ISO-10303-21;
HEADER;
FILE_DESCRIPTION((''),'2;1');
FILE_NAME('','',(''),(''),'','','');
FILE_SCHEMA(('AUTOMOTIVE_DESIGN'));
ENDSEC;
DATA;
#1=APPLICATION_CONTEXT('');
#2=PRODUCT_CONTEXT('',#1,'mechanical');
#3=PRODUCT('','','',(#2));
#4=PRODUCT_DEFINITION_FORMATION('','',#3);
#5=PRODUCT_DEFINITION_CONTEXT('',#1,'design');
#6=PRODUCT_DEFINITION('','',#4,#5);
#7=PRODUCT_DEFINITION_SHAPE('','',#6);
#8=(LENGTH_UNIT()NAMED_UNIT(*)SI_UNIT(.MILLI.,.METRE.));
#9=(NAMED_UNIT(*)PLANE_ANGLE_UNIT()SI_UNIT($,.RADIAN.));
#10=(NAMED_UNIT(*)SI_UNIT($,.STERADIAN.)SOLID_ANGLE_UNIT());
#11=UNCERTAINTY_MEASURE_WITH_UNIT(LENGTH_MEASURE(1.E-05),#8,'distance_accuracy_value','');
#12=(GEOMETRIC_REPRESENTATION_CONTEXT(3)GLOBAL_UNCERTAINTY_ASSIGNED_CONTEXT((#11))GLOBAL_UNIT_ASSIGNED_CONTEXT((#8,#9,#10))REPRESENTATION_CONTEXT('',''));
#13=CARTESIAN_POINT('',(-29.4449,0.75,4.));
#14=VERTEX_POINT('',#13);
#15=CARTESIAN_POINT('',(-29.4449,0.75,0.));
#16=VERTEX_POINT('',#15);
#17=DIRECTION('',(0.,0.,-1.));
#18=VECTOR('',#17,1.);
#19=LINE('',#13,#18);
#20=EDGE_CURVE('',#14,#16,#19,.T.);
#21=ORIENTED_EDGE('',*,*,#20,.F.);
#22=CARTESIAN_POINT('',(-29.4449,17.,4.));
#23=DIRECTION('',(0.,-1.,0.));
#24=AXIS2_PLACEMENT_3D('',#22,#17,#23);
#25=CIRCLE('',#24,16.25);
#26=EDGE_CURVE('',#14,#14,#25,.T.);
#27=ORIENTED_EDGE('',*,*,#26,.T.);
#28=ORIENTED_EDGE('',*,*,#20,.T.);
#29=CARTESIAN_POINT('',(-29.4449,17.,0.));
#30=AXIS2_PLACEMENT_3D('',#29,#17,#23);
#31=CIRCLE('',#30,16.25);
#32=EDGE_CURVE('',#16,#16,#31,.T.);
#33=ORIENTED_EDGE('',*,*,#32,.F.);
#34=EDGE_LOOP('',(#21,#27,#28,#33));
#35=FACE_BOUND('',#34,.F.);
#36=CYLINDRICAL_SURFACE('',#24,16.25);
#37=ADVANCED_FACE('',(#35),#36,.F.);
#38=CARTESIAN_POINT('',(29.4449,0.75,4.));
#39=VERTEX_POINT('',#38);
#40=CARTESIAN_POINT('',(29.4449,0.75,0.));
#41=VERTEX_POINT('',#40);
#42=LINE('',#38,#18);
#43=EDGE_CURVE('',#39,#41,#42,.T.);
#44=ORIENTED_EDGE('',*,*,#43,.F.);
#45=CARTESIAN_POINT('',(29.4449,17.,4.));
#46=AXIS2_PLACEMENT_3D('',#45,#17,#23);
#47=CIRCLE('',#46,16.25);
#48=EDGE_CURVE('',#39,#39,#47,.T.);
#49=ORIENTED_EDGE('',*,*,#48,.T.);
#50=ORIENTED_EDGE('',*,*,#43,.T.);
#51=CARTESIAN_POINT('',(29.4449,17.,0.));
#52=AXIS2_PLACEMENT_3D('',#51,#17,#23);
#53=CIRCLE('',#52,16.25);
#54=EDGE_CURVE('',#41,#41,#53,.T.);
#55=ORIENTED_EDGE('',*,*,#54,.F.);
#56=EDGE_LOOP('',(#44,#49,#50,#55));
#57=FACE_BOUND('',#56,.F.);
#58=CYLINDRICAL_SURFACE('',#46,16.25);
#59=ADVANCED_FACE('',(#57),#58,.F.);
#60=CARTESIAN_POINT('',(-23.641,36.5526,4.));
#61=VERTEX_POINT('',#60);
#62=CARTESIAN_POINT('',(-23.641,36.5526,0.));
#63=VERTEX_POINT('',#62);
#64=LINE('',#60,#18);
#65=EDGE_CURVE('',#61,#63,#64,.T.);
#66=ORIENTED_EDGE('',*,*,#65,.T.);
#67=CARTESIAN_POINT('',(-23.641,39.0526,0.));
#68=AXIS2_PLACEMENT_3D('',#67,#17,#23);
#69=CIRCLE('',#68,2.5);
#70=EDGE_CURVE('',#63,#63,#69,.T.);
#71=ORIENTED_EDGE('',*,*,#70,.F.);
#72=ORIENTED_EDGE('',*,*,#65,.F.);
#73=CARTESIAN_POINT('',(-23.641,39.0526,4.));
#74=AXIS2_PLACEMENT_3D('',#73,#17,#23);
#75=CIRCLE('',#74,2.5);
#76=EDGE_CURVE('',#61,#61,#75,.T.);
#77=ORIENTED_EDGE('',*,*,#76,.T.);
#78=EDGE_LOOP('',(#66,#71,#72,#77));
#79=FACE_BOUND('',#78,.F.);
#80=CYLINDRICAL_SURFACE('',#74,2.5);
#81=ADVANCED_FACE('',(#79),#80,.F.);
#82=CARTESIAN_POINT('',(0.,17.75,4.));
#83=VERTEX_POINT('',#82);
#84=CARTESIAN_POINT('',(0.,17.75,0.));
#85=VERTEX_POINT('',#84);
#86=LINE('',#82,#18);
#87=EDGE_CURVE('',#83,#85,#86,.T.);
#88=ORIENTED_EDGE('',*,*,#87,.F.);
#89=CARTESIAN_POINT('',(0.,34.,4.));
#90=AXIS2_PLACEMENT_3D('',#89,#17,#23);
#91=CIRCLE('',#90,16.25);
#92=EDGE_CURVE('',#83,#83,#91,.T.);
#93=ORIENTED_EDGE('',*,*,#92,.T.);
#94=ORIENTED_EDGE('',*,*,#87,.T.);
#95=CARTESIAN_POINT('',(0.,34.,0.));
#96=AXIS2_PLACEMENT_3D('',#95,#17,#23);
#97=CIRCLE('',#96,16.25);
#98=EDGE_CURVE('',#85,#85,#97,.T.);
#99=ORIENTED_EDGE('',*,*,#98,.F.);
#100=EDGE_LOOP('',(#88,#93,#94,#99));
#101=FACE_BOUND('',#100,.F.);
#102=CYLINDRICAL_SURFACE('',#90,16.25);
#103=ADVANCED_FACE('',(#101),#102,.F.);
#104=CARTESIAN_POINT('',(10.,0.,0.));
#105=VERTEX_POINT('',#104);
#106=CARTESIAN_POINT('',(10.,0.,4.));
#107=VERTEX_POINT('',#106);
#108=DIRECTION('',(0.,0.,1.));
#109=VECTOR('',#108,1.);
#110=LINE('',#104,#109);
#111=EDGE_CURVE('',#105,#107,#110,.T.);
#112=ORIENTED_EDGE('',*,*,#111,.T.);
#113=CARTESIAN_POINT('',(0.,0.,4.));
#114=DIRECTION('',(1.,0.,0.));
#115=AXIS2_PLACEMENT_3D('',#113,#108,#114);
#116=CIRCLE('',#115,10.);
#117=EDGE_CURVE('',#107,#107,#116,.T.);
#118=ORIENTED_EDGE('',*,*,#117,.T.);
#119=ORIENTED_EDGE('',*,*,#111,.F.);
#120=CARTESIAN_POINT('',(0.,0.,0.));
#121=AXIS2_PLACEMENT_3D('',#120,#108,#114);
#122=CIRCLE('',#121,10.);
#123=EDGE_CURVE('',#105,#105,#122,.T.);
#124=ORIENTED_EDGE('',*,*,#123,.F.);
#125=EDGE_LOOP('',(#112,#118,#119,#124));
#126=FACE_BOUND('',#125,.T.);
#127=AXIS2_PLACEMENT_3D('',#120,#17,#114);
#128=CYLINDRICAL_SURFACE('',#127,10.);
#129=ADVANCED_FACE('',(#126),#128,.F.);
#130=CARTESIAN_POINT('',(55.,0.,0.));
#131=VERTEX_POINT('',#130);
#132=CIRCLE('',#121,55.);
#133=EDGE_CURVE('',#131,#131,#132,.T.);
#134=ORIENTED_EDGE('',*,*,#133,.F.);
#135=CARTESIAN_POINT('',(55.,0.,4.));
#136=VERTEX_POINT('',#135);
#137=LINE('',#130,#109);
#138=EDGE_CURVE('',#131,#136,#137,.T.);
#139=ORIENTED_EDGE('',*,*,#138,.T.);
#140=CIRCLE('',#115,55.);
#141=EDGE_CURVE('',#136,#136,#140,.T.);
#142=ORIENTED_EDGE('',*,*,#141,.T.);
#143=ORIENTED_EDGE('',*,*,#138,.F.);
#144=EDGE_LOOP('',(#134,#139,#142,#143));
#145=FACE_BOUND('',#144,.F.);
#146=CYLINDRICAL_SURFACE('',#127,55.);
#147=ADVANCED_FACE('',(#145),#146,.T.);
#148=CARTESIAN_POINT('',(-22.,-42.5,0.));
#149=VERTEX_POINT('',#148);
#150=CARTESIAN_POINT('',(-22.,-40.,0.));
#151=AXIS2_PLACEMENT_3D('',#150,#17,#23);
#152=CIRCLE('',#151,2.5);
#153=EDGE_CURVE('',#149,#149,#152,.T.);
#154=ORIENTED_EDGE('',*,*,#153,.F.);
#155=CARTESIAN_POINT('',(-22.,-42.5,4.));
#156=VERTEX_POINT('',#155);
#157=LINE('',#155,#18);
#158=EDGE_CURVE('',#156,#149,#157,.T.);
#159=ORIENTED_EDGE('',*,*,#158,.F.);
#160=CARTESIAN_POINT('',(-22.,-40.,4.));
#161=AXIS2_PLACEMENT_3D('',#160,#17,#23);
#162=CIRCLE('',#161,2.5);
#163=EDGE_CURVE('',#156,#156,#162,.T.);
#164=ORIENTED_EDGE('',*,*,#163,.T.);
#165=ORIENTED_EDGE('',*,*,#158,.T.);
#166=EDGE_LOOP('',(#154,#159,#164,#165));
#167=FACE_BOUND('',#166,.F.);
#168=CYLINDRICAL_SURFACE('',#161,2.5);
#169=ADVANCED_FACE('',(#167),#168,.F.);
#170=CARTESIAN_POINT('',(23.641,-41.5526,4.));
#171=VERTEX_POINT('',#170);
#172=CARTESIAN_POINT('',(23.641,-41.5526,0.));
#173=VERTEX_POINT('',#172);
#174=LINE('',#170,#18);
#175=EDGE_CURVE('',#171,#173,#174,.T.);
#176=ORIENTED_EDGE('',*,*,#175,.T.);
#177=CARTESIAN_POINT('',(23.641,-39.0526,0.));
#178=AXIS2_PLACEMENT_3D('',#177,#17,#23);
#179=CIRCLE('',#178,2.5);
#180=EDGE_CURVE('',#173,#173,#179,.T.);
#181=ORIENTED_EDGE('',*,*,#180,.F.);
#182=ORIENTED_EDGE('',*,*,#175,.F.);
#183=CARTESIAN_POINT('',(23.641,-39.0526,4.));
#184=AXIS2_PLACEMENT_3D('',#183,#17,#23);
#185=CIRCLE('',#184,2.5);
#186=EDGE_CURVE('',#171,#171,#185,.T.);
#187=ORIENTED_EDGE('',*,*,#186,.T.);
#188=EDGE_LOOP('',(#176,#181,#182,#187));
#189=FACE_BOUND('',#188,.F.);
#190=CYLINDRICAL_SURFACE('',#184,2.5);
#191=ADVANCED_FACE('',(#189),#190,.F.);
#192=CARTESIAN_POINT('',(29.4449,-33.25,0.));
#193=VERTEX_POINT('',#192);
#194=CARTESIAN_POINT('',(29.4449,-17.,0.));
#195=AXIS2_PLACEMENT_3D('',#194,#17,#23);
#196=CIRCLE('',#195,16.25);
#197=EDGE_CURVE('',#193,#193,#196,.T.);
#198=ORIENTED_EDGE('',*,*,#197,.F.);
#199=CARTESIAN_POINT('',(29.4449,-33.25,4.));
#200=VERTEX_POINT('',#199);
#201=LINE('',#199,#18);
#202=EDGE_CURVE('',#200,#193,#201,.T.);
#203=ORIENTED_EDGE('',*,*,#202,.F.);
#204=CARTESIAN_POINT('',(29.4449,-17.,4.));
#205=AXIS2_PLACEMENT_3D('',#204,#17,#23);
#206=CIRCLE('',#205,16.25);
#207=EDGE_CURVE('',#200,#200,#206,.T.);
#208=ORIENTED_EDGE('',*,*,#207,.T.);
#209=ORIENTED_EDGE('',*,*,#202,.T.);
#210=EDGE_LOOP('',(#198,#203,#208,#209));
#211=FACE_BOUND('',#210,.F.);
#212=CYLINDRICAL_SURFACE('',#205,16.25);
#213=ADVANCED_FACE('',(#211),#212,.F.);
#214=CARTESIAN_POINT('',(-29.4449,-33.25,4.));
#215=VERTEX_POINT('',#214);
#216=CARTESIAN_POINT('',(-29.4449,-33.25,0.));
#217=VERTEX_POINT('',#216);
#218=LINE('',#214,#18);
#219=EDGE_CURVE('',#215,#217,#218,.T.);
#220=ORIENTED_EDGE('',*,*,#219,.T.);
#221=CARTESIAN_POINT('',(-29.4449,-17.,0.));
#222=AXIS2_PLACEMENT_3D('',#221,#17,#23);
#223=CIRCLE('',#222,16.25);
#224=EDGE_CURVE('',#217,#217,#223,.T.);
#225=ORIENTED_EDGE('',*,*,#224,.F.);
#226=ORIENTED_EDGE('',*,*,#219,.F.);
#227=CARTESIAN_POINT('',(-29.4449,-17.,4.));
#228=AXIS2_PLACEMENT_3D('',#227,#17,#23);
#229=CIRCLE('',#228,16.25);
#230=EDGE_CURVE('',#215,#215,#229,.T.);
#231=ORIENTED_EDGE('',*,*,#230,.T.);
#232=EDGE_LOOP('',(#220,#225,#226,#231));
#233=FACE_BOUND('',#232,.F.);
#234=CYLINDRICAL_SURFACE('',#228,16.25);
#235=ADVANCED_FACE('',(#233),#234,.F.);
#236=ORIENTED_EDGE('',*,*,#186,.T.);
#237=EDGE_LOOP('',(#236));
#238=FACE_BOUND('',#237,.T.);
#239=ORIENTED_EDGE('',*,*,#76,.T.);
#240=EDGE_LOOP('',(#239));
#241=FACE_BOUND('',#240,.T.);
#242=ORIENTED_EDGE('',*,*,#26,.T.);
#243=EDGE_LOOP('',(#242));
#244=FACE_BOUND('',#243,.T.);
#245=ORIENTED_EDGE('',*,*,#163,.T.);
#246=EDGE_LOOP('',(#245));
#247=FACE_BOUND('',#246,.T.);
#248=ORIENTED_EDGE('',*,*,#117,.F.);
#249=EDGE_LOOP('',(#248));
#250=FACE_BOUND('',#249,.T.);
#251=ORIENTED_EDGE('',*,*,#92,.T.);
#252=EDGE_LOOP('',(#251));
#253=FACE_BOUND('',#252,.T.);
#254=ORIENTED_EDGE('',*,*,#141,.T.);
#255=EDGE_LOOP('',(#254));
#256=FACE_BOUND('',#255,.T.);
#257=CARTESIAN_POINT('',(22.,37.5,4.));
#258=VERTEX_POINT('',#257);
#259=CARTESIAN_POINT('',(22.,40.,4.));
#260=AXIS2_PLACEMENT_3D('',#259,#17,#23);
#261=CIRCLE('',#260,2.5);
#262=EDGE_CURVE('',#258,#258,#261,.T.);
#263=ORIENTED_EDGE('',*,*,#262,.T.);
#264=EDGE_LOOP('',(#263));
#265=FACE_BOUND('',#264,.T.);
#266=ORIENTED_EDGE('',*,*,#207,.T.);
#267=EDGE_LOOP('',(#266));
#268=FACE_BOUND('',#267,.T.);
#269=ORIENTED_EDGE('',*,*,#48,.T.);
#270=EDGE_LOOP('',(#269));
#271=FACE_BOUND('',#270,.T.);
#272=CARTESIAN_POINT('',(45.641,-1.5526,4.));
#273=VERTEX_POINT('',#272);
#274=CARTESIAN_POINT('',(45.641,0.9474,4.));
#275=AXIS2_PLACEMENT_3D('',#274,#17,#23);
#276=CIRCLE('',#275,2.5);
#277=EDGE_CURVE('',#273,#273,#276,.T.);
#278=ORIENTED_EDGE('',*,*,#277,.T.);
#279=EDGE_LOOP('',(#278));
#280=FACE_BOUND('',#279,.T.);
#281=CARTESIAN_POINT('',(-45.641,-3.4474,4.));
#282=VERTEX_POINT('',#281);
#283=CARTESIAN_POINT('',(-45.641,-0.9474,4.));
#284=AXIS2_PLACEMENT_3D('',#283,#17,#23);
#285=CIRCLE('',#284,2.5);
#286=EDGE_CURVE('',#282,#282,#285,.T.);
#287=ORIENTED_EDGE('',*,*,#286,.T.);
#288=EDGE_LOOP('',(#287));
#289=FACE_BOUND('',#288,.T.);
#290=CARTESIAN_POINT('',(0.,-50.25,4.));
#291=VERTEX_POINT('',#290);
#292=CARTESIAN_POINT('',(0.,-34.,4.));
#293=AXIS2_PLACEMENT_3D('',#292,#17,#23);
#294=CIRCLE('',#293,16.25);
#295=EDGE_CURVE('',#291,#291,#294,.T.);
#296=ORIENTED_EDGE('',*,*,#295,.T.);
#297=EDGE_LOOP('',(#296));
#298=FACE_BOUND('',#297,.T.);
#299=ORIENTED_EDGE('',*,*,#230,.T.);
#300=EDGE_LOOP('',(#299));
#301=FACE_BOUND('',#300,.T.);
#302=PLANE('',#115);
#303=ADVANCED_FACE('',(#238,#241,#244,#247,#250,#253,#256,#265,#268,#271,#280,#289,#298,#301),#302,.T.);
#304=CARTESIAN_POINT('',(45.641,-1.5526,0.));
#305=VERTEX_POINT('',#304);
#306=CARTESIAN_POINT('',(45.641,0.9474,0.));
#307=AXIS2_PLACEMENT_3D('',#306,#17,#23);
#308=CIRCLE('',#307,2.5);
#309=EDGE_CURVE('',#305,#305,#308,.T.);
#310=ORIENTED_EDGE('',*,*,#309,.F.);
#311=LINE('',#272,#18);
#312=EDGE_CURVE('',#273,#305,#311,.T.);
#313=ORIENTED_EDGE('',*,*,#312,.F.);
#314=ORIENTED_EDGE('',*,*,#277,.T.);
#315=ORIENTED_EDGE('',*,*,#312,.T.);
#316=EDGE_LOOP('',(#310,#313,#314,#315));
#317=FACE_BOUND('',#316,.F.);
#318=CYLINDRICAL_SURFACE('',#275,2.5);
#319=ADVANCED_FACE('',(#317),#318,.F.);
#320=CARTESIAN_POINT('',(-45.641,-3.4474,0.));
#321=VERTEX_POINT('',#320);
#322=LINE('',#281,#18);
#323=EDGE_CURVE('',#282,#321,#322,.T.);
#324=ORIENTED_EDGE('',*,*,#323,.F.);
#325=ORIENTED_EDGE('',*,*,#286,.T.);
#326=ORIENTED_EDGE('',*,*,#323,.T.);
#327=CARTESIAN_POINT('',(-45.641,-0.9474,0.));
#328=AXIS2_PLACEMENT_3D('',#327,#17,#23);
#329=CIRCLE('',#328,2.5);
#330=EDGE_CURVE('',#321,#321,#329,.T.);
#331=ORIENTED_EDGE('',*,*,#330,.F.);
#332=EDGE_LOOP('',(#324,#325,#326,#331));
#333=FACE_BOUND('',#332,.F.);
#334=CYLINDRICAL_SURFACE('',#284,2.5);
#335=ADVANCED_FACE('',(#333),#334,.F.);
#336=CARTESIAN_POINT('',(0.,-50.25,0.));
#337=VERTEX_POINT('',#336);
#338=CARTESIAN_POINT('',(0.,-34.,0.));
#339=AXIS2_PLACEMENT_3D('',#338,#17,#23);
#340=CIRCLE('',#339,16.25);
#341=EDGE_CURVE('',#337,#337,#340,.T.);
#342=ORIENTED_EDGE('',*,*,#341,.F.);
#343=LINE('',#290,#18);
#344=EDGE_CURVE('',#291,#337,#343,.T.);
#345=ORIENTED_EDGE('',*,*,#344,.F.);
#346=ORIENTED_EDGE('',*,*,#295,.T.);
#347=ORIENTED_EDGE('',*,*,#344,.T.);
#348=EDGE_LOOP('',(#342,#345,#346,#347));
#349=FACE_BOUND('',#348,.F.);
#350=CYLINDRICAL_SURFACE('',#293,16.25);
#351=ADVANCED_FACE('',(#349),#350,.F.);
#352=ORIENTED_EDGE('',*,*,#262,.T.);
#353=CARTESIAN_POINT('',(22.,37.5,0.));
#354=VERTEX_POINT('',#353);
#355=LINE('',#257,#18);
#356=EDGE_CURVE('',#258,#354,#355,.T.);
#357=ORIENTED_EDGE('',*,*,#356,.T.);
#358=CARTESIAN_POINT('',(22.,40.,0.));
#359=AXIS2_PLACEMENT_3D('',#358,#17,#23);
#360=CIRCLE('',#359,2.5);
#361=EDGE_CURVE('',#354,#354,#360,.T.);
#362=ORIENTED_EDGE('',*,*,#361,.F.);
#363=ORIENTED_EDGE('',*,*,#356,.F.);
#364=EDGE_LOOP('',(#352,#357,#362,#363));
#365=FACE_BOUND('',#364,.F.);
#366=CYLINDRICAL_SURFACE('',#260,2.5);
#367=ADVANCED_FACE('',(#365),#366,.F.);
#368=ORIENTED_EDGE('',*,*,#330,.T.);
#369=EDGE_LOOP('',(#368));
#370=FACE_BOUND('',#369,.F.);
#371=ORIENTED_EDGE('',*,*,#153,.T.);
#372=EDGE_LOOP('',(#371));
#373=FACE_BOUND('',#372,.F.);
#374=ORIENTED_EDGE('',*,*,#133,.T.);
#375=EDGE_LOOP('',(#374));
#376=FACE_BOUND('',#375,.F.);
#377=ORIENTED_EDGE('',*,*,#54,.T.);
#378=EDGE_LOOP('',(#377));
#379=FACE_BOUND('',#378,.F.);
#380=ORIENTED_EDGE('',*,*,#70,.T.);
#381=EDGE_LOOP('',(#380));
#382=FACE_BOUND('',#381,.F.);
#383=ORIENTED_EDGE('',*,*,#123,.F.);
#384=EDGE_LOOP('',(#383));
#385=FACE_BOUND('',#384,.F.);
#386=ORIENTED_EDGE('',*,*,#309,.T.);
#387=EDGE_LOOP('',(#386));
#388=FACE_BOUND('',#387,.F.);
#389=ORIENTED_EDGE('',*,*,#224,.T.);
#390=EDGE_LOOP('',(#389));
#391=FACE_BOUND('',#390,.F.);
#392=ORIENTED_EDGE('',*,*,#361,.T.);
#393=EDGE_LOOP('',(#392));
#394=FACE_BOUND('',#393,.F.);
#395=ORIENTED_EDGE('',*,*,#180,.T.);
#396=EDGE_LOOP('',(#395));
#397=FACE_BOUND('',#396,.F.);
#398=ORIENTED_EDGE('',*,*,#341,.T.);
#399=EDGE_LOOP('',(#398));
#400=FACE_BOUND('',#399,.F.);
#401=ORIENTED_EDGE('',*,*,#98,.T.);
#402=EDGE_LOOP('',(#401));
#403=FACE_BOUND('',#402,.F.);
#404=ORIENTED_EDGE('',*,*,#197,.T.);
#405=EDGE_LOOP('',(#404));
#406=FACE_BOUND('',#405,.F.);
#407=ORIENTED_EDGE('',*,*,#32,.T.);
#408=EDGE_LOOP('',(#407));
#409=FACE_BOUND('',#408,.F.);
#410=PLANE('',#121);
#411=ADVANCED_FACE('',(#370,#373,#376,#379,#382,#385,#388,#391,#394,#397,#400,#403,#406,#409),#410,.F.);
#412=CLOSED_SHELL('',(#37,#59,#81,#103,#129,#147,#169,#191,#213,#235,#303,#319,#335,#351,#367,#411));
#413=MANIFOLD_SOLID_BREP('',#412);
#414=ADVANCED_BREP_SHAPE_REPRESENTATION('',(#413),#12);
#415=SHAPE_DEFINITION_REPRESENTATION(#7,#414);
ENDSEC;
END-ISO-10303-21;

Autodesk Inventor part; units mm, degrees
ref_plane "YZ Plane" through (0, 0, 0) normal (1, 0, 0) x (0, 1, 0)
ref_plane "XZ Plane" through (0, 0, 0) normal (0, 1, 0) x (-1, 0, 0)
ref_plane "XY Plane" through (0, 0, 0) normal (0, 0, 1) x (1, 0, 0)
sketch "Sketch1" plane through (0, 0, 0) normal (0, 0, 1) x (1, 0, 0)
  circle A0 centre (0, 0) radius 55
  circle A1 centre (0, 0) radius 10
  dimension "d0" = 110
  dimension "d1" = 20
extrude "Extrusion1" add sketch "Sketch1" along normal blind 4
sketch "Sketch2" plane through (0, 0, 4) normal (0, 0, 1) x (1, 0, 0)
  point P0 (0, 0)
  point P1 (0, 34)
  point P2 (-29.4449, 17)
  point P3 (-29.4449, -17)
  point P4 (0, -34)
  point P5 (29.4449, -17)
  point P6 (29.4449, 17)
  dimension "d4" = 34
  dimension "d7" = 360
hole "Hole1" at (0, 34, 4) at (-29.4449, 17, 4) at (-29.4449, -17, 4) at (0, -34, 4) at (29.4449, -17, 4) at (29.4449, 17, 4) direction (0, 0, -1) diameter 32.5 end through all
sketch "Sketch3" plane through (0, 0, 4) normal (0, 0, 1) x (1, 0, 0)
  point P0 (0, 0)
  point P1 (22, 40)
  point P2 (-23.641, 39.0526)
  point P3 (-45.641, -0.9474)
  point P4 (-22, -40)
  point P5 (23.641, -39.0526)
  point P6 (45.641, 0.9474)
  dimension "d18" = 360
hole "Hole2" at (22, 40, 4) at (-23.641, 39.0526, 4) at (-45.641, -0.9474, 4) at (-22, -40, 4) at (23.641, -39.0526, 4) at (45.641, 0.9474, 4) direction (0, 0, -1) diameter 5 end through all
equation "\"d14\" = Thickness"
equation "\"BendRadius\" = Thickness"
equation "\"BendReliefWidth\" = Thickness"
equation "\"BendReliefDepth\" = 0.5 * Thickness"
equation "\"CornerReliefSize\" = 4 * Thickness"
equation "\"MinimumRemnant\" = 2 * Thickness"
equation "\"TransitionRadius\" = BendRadius"
equation "\"JacobiRadiusSize\" = BendRadius"
equation "\"GapSize\" = Thickness"
equation "\"Thickness\" = 0.5"
properties part number "Electromagnetic cover bottom"
